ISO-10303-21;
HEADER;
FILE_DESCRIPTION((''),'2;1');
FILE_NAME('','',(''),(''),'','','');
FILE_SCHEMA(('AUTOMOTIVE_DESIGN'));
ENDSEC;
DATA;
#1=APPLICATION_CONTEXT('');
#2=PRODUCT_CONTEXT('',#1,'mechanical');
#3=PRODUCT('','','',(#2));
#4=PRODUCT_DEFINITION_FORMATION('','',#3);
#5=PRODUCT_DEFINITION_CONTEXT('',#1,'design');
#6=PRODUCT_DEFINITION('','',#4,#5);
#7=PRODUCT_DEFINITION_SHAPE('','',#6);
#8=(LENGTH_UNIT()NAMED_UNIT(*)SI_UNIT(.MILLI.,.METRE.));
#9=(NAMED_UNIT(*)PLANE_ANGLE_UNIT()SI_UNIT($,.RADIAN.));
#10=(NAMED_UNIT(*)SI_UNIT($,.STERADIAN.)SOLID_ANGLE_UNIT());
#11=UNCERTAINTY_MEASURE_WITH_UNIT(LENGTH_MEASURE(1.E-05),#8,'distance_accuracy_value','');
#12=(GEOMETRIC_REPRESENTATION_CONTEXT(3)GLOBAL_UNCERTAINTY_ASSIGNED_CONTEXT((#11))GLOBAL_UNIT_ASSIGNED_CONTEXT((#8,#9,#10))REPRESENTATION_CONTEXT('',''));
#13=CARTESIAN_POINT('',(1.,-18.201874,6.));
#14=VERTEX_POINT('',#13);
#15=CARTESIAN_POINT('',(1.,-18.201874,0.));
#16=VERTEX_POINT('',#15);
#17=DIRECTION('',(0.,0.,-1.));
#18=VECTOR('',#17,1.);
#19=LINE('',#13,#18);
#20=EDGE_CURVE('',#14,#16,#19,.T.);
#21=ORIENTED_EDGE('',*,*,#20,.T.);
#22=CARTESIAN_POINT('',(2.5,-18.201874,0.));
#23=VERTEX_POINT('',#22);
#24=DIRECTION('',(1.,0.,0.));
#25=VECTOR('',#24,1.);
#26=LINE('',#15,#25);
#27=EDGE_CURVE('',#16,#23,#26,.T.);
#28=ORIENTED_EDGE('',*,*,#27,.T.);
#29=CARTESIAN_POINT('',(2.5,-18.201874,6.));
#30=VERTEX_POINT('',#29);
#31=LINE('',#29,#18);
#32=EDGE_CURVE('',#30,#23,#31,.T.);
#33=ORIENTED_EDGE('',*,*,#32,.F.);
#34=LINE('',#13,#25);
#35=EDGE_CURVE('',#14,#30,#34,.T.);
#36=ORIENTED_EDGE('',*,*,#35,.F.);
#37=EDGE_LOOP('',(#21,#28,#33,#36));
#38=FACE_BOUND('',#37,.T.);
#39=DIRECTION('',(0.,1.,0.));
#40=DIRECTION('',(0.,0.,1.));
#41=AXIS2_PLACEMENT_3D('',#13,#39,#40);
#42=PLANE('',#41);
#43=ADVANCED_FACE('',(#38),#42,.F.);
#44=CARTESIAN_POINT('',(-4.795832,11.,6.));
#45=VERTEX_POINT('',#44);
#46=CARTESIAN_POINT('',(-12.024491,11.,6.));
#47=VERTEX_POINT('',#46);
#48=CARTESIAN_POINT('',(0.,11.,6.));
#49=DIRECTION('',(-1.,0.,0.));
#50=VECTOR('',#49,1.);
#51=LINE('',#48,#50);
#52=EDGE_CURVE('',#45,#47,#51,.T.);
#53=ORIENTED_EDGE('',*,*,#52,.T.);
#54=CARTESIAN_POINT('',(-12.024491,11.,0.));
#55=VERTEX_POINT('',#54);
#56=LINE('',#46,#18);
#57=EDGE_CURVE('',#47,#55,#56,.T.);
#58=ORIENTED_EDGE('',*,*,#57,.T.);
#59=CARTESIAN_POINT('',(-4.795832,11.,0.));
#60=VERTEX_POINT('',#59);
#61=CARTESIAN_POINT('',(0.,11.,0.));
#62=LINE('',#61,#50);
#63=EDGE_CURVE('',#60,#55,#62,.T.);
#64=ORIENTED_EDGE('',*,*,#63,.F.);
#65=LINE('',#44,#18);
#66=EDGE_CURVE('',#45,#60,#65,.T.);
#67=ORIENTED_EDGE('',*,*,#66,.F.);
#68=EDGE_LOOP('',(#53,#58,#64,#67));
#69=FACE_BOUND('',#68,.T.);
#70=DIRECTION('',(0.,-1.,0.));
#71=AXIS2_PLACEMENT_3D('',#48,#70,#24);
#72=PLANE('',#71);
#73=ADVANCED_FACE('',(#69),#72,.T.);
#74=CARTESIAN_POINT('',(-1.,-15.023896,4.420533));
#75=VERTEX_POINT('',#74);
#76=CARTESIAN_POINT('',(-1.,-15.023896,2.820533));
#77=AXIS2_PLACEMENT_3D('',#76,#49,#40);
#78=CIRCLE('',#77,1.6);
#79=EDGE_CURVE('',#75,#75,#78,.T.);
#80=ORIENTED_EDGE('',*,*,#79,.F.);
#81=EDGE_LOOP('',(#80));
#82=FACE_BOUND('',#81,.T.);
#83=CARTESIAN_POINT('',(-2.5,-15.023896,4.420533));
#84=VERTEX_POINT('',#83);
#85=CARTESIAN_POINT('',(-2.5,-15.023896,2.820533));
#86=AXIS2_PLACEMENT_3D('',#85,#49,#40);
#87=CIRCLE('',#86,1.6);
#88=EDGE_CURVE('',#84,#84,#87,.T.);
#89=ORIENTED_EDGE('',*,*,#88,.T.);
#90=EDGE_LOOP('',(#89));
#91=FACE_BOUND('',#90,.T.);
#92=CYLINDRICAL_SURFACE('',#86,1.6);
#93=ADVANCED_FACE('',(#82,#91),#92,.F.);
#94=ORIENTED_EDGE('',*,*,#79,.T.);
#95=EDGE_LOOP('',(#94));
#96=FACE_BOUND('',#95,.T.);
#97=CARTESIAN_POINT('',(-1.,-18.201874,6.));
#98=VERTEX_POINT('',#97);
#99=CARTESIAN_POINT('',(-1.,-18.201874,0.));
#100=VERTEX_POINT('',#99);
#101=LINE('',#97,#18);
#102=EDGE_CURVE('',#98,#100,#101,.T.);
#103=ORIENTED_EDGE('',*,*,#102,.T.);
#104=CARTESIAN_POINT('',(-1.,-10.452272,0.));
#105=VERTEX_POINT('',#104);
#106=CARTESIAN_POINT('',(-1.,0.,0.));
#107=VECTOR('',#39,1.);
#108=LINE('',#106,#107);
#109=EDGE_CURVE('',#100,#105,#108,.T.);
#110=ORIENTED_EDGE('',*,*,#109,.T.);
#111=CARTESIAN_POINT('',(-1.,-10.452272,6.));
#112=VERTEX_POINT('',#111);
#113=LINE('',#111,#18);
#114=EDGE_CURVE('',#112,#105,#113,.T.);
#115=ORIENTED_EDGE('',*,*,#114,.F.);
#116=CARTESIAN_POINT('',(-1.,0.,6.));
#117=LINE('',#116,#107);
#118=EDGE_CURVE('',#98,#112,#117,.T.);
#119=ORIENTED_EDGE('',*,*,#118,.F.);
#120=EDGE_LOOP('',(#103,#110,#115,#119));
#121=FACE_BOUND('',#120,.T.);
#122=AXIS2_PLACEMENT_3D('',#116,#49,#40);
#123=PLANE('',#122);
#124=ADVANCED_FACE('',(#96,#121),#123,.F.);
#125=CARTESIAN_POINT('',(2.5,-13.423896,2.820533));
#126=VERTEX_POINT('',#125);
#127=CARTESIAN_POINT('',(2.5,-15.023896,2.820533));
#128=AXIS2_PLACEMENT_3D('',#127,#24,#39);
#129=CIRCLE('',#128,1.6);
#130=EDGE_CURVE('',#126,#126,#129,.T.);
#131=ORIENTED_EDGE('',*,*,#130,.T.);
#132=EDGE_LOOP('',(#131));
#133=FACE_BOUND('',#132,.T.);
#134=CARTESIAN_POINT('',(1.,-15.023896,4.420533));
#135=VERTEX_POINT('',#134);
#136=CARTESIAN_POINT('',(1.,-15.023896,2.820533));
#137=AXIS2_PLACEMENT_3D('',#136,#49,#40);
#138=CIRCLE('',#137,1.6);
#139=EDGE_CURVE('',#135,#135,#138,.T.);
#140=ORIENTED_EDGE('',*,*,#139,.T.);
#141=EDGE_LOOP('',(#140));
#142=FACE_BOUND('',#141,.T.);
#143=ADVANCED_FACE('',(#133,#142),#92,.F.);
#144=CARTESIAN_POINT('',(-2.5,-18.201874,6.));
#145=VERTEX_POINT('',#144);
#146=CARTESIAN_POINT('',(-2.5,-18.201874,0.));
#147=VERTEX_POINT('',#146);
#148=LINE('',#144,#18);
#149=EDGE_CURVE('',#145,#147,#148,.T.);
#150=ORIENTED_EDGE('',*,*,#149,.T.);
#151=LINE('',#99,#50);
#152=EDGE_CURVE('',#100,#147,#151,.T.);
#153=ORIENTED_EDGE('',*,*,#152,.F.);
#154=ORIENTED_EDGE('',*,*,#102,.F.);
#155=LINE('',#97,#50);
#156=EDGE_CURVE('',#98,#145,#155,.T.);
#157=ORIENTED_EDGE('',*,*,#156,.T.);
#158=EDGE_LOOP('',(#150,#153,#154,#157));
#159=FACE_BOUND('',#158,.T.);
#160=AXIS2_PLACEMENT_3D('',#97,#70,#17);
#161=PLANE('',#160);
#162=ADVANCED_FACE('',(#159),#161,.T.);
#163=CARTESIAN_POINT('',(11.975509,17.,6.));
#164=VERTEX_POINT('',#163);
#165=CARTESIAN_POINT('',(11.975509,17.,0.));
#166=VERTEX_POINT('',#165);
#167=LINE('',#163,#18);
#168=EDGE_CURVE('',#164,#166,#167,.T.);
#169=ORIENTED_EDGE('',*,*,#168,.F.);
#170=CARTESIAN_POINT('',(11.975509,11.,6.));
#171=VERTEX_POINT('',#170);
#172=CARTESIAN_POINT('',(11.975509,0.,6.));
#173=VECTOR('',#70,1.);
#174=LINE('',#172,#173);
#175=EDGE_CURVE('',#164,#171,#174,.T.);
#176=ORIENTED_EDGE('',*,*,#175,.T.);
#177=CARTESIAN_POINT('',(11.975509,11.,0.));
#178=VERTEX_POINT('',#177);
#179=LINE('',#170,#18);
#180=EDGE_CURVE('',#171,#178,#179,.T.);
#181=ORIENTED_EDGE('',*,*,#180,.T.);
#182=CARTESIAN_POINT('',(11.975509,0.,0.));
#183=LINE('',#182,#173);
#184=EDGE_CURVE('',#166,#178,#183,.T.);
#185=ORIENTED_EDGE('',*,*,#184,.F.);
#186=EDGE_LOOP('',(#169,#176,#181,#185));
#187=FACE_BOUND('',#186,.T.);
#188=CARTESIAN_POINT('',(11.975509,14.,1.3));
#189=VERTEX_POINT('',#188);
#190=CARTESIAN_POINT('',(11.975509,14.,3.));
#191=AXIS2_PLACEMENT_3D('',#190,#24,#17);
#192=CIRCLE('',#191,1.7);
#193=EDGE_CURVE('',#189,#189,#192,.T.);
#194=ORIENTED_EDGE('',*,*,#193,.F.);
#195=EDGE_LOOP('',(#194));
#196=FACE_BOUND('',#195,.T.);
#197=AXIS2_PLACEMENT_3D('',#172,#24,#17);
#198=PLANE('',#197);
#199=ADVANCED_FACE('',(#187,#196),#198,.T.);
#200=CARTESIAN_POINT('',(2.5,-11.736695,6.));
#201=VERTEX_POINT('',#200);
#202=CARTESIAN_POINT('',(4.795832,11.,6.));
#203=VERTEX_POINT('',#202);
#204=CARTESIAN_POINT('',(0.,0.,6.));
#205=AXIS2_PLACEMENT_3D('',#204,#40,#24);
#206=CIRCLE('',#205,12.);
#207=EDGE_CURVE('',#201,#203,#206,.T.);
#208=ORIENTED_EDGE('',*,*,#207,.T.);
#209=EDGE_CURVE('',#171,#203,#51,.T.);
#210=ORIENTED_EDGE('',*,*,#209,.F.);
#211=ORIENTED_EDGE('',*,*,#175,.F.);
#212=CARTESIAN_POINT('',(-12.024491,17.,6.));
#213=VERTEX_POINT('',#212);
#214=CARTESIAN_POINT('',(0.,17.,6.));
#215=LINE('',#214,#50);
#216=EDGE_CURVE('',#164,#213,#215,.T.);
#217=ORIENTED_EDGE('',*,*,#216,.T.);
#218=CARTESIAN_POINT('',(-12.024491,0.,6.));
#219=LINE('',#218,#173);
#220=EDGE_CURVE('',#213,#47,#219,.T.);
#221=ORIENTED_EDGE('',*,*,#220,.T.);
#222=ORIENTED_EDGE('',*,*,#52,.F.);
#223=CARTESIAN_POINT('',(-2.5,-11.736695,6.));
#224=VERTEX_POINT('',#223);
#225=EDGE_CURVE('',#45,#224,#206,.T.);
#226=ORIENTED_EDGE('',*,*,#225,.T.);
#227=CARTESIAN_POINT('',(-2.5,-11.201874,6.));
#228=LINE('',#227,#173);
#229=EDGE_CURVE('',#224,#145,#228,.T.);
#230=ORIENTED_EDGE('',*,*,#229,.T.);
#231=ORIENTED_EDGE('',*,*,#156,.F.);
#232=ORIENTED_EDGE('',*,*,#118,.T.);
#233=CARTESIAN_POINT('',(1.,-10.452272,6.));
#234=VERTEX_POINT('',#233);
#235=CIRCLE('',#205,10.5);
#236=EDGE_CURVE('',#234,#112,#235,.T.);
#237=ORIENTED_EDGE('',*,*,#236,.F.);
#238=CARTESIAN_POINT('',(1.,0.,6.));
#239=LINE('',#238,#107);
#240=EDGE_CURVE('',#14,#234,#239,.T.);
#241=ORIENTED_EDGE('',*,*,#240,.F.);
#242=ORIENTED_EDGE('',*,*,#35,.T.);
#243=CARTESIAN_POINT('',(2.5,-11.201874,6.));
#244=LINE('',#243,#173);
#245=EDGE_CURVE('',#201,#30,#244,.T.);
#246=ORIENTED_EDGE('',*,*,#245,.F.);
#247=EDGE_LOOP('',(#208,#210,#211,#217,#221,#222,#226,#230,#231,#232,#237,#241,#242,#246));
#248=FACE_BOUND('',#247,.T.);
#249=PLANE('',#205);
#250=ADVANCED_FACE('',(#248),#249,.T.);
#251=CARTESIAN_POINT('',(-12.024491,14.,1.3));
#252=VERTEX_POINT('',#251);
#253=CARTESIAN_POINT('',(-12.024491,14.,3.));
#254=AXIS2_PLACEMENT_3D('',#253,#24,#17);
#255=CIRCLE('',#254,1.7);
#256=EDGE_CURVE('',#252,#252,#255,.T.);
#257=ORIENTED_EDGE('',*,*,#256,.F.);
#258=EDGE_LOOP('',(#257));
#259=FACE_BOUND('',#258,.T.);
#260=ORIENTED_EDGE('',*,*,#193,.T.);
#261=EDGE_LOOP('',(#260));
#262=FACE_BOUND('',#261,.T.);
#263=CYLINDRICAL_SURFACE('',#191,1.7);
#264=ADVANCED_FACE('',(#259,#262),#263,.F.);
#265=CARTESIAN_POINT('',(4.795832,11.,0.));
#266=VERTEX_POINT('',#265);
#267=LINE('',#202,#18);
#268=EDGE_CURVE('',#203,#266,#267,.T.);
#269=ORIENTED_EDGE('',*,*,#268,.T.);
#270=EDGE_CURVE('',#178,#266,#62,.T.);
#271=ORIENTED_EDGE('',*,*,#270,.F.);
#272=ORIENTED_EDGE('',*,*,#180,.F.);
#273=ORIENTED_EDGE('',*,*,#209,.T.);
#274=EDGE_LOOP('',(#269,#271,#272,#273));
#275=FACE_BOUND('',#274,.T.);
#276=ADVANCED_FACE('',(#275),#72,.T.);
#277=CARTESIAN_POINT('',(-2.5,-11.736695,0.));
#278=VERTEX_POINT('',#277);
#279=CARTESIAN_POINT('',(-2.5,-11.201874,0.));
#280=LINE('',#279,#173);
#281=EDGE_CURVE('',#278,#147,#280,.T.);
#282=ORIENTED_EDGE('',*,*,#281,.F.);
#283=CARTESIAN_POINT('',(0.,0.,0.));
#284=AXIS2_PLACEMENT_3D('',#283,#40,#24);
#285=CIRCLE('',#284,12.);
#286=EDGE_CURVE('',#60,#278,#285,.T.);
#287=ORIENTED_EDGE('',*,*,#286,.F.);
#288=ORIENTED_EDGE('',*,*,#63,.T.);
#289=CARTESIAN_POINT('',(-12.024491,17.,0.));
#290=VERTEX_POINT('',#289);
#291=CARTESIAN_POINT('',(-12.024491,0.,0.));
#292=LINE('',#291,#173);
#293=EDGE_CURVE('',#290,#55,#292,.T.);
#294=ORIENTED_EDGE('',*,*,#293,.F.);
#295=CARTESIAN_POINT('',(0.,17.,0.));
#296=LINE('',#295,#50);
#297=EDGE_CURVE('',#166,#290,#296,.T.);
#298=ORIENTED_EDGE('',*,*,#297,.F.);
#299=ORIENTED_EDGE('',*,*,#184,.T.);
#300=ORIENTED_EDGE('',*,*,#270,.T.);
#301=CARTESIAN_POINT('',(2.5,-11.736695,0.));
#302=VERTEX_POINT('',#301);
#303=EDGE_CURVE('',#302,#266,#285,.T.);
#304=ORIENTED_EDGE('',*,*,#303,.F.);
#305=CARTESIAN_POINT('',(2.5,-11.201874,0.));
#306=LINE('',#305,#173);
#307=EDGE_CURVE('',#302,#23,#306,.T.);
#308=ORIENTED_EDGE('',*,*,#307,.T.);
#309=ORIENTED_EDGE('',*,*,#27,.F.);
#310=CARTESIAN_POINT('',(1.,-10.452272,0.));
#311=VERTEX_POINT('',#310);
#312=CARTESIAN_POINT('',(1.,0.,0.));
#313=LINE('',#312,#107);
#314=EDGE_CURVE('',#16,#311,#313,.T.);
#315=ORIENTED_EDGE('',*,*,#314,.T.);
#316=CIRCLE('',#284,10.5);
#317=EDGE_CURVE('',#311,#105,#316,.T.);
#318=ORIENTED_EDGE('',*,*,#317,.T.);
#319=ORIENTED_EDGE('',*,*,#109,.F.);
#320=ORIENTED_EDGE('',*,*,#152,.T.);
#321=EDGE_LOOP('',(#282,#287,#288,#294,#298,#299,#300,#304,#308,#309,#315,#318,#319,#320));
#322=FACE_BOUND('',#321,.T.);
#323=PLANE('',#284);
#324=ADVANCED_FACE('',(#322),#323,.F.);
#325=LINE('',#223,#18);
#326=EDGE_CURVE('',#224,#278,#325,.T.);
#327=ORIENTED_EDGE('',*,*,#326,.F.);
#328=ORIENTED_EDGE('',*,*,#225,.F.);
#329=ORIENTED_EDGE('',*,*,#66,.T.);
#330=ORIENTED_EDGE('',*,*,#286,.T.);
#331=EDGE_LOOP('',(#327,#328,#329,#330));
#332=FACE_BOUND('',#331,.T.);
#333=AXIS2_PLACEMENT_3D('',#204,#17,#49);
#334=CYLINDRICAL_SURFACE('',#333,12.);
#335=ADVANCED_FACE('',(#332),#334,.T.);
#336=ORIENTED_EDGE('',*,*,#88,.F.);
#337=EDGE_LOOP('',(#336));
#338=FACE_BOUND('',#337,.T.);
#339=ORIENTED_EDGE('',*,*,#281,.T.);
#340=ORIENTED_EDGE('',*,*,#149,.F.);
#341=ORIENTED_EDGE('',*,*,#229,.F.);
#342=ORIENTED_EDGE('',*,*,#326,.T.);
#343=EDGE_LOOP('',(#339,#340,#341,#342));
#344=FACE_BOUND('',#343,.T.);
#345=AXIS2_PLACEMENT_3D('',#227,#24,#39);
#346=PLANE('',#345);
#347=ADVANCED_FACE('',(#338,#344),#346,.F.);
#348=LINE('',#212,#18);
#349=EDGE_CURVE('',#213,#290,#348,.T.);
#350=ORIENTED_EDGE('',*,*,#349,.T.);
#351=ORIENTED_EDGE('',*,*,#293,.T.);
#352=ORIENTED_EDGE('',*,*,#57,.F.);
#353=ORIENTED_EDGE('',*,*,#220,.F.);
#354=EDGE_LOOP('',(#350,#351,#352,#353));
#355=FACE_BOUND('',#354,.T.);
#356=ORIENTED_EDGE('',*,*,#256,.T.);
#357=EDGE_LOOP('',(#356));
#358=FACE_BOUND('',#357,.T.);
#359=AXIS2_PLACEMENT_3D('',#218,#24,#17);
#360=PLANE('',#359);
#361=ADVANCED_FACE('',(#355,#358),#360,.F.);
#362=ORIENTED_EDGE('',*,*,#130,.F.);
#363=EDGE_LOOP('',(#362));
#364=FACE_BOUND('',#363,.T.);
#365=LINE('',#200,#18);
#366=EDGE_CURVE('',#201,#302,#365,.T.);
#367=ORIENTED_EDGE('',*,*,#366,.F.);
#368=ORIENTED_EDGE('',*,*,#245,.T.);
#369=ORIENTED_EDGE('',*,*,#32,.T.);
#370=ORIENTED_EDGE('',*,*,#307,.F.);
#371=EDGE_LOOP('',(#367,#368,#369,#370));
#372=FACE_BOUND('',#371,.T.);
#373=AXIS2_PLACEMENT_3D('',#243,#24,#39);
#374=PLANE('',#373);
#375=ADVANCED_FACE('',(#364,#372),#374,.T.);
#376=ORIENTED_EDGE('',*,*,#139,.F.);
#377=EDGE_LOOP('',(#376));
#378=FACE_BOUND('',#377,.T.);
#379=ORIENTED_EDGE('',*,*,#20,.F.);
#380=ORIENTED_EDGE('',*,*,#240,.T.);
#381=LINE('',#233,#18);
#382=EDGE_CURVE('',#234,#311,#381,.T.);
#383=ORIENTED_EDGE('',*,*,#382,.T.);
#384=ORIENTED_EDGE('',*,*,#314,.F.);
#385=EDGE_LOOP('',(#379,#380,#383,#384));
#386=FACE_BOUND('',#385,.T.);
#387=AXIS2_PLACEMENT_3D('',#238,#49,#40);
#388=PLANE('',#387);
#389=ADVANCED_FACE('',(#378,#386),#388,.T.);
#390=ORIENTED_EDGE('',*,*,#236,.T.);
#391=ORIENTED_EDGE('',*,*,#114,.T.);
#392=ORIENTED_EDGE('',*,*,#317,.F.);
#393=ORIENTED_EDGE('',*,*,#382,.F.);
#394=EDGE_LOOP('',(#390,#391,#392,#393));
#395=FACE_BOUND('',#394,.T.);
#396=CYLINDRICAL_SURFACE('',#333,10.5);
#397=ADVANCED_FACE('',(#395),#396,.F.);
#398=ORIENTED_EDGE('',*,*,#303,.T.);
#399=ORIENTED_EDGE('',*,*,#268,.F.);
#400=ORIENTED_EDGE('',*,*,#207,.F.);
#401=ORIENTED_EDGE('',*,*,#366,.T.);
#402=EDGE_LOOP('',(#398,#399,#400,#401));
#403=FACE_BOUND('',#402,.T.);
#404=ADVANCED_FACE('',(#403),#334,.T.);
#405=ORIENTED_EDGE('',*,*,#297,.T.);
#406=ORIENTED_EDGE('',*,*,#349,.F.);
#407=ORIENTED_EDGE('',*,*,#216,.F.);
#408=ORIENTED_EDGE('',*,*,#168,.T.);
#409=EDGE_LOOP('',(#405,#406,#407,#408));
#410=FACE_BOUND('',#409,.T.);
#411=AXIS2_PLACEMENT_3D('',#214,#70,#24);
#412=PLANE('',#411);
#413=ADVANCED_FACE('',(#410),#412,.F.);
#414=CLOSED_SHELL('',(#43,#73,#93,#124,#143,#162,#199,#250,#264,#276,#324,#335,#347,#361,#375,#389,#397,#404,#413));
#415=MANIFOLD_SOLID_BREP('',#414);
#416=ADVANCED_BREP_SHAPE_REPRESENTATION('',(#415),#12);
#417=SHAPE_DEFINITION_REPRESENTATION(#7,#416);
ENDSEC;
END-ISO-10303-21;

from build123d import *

# Parameters (mm, degrees)
SALIENTE_EXTRUIR1_DEPTH      = 6
TALADRO_DE_MARGEN_PARA_M31_D = 3.4
TALADRO_DE_MARGEN_PARA_M32_D = 3.2


with BuildPart() as part:
    # Croquis1 → Saliente-Extruir1 (new body)
    with BuildSketch(Plane.XY):
        with BuildLine():
            Line((11.975508884, 11), (11.975508884, 17))
            Line((11.975508884, 17), (-12.024491116, 17))
            Line((-12.024491116, 17), (-12.024491116, 11))
            Line((-12.024491116, 11), (-4.795831523, 11))
            ThreePointArc((-4.795831523, 11), (-11.939288491, -1.205566393), (-2.5, -11.736694594))
            Line((-2.5, -11.736694594), (-2.5, -18.20187424))
            Line((-2.5, -18.20187424), (-1, -18.20187424))
            Line((-1, -18.20187424), (-1, -10.45227248))
            ThreePointArc((-1, -10.45227248), (0, 10.5), (1, -10.45227248))
            Line((1, -10.45227248), (1, -18.20187424))
            Line((1, -18.20187424), (2.5, -18.20187424))
            Line((2.5, -18.20187424), (2.5, -11.736694594))
            ThreePointArc((2.5, -11.736694594), (11.939288491, -1.205566393), (4.795831523, 11))
            Line((4.795831523, 11), (11.975508884, 11))
        make_face()
    extrude(amount=SALIENTE_EXTRUIR1_DEPTH)

    # Taladro de margen para M31 (through all)
    with Locations(Plane(origin=(11.975508884, 0, 0), x_dir=(0, 0, -1), z_dir=(1, 0, 0))):
        with Locations((-3, 14)):
            Hole(TALADRO_DE_MARGEN_PARA_M31_D / 2)

    # Taladro de margen para M32 (through all)
    with Locations(Plane.ZY.offset(2.5)):
        with Locations((2.820532603, -15.023895907)):
            Hole(TALADRO_DE_MARGEN_PARA_M32_D / 2)


solid = part.part
